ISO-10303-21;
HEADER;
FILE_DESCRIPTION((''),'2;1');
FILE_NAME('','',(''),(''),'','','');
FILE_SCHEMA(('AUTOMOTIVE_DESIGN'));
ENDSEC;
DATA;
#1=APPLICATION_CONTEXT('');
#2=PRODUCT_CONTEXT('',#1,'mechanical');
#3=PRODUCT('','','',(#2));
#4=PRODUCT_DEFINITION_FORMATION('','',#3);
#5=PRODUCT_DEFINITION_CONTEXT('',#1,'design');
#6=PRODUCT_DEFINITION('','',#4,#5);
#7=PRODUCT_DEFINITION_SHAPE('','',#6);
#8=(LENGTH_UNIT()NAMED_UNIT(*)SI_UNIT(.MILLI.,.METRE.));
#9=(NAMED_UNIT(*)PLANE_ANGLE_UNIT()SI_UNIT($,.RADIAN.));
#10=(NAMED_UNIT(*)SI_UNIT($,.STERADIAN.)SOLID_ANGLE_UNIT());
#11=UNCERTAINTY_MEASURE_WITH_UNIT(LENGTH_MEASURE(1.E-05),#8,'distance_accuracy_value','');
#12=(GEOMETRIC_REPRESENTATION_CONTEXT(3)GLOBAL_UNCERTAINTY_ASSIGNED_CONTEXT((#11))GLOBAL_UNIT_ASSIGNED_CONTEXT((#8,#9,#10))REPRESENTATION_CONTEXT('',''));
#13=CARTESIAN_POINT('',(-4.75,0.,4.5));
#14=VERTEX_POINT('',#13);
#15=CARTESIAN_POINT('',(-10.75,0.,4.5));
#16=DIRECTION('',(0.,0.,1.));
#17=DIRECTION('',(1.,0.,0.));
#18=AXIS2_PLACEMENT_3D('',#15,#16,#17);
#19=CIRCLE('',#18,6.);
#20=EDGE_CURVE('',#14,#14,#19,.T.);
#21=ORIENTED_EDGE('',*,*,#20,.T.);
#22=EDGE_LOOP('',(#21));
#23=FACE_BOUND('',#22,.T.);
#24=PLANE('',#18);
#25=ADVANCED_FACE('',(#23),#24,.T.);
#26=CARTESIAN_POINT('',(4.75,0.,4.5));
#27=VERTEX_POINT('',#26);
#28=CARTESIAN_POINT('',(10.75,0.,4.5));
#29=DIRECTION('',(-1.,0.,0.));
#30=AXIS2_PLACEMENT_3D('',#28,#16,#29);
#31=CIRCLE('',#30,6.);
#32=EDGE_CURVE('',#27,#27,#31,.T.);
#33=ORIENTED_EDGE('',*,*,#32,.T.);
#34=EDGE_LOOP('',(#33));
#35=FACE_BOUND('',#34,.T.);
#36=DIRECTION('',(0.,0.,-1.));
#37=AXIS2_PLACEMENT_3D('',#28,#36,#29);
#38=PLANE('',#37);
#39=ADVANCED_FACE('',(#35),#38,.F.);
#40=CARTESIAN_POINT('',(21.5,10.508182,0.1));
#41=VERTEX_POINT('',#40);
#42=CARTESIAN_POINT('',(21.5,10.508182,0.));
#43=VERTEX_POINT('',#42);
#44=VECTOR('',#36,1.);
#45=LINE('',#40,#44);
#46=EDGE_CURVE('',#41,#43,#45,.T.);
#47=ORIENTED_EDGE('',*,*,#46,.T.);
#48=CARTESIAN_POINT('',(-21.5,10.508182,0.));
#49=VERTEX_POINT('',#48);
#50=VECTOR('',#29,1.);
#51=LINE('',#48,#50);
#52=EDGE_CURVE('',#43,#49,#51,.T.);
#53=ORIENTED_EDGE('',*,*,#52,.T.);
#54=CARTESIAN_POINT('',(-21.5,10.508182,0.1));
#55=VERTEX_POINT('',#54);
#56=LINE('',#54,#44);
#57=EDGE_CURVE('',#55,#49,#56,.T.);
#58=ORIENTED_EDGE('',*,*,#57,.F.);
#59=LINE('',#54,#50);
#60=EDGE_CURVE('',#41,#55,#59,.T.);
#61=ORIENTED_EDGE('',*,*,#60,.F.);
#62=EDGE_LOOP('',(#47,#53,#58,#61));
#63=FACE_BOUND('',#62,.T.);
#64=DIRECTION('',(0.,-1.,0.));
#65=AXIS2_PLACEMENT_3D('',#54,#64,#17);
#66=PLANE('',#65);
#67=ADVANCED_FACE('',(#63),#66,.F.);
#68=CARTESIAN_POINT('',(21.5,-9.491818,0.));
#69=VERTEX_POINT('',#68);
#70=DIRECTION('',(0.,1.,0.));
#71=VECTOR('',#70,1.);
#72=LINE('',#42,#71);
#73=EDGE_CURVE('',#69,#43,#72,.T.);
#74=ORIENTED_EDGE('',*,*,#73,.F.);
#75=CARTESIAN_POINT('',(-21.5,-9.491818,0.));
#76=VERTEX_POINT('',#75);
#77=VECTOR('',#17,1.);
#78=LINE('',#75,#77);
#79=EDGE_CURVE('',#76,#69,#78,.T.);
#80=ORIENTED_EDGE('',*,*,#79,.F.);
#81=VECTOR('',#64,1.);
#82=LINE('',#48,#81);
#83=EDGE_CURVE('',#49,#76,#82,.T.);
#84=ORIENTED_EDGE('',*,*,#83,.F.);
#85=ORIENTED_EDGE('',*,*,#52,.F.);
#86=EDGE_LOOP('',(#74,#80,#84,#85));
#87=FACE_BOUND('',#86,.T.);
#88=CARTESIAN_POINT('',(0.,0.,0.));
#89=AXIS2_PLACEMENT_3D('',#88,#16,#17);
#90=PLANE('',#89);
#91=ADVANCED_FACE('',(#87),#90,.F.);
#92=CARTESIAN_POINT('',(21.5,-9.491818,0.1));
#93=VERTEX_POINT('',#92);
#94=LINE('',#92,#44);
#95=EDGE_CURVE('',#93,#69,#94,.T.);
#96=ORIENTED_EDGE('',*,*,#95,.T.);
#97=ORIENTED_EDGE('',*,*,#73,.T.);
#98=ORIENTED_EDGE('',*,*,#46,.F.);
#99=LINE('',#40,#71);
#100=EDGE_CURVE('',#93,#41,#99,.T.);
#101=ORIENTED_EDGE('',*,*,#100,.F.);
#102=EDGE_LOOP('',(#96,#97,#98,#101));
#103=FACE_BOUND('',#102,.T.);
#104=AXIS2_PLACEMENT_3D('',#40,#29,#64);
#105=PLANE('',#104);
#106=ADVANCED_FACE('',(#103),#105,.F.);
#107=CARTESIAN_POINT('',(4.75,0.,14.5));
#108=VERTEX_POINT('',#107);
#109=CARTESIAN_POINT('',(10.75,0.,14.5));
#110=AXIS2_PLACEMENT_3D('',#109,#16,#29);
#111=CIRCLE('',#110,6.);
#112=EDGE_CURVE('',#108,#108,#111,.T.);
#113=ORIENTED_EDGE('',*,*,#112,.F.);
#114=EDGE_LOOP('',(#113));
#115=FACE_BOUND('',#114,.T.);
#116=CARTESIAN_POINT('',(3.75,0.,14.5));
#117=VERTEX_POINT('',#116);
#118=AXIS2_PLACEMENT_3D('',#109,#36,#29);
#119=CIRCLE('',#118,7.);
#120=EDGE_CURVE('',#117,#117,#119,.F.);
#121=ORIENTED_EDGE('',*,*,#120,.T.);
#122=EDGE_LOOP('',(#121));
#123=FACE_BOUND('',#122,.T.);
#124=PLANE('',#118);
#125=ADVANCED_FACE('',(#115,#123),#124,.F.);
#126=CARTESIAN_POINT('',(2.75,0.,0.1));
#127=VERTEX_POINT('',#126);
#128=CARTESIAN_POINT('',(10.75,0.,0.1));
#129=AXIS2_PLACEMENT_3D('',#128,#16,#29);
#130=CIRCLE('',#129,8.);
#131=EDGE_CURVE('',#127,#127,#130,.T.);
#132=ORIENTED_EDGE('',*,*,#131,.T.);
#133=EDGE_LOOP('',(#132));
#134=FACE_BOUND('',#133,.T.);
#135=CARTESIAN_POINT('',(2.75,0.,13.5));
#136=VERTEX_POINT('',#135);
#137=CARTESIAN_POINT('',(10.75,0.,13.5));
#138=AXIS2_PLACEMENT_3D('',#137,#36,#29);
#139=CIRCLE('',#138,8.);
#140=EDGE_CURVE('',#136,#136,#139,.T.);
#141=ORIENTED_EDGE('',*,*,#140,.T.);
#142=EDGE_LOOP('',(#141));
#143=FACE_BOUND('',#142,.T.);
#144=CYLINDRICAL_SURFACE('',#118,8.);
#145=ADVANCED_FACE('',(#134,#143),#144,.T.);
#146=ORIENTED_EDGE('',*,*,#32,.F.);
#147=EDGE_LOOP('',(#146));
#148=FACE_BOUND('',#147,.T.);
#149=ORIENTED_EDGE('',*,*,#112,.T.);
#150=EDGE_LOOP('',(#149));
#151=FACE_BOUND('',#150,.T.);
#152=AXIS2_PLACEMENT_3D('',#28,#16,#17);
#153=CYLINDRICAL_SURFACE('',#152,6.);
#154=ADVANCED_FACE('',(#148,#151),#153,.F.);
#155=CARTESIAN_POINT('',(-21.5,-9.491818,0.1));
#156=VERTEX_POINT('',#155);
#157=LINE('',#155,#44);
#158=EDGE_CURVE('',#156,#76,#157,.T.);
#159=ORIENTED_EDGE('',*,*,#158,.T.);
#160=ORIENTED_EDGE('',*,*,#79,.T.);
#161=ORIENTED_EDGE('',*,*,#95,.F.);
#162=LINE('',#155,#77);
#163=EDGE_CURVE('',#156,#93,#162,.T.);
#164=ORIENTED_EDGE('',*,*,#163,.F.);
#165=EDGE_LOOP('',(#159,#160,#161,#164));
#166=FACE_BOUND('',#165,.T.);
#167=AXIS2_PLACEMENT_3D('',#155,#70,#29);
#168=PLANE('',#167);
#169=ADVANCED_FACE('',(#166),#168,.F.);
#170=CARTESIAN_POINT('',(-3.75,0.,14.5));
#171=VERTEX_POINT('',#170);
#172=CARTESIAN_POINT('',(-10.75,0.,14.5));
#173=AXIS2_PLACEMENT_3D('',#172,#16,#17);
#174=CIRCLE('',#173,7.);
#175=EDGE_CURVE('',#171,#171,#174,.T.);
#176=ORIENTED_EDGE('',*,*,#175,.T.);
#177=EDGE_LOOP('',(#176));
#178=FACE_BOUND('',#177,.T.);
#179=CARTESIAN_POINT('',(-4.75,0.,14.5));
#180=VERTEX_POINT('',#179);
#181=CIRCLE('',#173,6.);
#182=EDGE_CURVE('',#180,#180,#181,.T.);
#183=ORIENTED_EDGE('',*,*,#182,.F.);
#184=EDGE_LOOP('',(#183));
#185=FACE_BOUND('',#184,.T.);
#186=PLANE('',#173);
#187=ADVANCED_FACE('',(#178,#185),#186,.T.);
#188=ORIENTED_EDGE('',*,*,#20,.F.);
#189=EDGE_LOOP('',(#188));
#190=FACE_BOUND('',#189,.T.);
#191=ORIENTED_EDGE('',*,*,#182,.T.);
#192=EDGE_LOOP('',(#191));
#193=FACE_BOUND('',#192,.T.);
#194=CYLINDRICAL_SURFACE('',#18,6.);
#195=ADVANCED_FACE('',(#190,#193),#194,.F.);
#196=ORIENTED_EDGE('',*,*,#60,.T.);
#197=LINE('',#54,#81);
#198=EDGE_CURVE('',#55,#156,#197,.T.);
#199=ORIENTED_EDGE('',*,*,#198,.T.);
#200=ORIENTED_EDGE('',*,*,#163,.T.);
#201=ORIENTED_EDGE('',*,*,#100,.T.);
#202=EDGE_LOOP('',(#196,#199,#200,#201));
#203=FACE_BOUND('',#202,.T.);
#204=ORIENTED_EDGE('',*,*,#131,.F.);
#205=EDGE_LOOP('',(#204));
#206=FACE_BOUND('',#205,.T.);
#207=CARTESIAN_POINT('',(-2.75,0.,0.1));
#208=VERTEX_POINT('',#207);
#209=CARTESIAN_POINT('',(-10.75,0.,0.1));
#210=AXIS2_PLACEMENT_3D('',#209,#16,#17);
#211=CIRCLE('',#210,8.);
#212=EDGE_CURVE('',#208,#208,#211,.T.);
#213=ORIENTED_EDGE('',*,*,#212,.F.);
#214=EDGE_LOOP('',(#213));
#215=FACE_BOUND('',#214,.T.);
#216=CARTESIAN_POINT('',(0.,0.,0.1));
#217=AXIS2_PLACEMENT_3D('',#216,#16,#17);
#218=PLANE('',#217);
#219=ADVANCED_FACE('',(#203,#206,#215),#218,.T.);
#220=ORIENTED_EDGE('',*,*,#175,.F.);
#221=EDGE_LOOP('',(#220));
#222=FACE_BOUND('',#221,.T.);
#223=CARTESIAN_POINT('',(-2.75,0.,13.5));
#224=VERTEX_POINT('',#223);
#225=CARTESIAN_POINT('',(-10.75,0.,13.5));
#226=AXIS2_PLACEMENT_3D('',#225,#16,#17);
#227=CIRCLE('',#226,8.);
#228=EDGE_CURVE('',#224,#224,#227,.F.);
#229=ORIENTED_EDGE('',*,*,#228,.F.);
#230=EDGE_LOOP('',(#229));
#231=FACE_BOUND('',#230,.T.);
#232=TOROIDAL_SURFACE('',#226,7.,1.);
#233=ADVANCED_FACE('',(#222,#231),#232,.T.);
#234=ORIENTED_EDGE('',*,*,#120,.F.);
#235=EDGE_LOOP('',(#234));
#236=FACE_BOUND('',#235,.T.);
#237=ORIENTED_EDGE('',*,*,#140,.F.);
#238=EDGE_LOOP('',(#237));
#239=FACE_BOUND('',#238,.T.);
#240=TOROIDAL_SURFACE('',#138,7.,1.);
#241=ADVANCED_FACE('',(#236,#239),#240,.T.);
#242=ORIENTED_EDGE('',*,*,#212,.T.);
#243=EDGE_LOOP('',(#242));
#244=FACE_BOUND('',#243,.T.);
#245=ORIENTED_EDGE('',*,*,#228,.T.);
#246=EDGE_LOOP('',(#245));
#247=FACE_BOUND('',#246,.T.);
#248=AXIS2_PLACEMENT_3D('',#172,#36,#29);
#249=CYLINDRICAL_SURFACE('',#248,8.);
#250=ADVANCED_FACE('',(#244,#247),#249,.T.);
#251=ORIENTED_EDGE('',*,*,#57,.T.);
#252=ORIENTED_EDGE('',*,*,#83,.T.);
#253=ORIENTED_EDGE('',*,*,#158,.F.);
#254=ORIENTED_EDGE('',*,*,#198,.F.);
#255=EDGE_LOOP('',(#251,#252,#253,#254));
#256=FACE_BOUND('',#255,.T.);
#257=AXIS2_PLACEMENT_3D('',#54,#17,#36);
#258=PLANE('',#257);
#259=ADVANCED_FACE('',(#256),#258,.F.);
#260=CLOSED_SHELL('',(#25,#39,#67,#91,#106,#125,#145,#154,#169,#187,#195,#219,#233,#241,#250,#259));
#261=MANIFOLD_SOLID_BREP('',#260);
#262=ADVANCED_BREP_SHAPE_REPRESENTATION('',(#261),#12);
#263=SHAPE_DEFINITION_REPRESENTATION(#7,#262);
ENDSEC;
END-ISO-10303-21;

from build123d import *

# Parameters (mm, degrees)
SKETCH1_W           = 43
SKETCH1_H           = 20
BOSS_EXTRUDE1_DEPTH = 0.1
SKETCH3_R           = 8
BOSS_EXTRUDE2_DEPTH = 14.4
FILLET1_R           = 1
SKETCH5_R           = 6
CUT_EXTRUDE1_DEPTH  = 10


with BuildPart() as part:
    # Sketch1 → Boss-Extrude1 (new body)
    with BuildSketch(Plane.XY):
        with Locations((0, 0.508181818)):
            Rectangle(SKETCH1_W, SKETCH1_H)
    extrude(amount=BOSS_EXTRUDE1_DEPTH)

    # Sketch3 → Boss-Extrude2 (add)
    with BuildSketch(Plane.XY.offset(0.1)):
        with Locations((-10.75, 0)):
            Circle(SKETCH3_R)
        with Locations(Location((10.75, 0, 0), (0, 0, 180))):
            Circle(SKETCH3_R)
    extrude(amount=BOSS_EXTRUDE2_DEPTH)

    # Fillet1
    fillet1_edges = [part.edges().sort_by_distance(p)[0] for p in [
        (-18.75, 0, 14.5),
        (18.75, 0, 14.5),
    ]]
    fillet(fillet1_edges, radius=FILLET1_R)

    # Sketch5 → Cut-Extrude1 (cut)
    with BuildSketch(Plane.XY.offset(14.5)):
        with Locations((-10.75, 0)):
            Circle(SKETCH5_R)
        with Locations(Location((10.75, 0, 0), (0, 0, 180))):
            Circle(SKETCH5_R)
    extrude(amount=-CUT_EXTRUDE1_DEPTH, mode=Mode.SUBTRACT)


solid = part.part
